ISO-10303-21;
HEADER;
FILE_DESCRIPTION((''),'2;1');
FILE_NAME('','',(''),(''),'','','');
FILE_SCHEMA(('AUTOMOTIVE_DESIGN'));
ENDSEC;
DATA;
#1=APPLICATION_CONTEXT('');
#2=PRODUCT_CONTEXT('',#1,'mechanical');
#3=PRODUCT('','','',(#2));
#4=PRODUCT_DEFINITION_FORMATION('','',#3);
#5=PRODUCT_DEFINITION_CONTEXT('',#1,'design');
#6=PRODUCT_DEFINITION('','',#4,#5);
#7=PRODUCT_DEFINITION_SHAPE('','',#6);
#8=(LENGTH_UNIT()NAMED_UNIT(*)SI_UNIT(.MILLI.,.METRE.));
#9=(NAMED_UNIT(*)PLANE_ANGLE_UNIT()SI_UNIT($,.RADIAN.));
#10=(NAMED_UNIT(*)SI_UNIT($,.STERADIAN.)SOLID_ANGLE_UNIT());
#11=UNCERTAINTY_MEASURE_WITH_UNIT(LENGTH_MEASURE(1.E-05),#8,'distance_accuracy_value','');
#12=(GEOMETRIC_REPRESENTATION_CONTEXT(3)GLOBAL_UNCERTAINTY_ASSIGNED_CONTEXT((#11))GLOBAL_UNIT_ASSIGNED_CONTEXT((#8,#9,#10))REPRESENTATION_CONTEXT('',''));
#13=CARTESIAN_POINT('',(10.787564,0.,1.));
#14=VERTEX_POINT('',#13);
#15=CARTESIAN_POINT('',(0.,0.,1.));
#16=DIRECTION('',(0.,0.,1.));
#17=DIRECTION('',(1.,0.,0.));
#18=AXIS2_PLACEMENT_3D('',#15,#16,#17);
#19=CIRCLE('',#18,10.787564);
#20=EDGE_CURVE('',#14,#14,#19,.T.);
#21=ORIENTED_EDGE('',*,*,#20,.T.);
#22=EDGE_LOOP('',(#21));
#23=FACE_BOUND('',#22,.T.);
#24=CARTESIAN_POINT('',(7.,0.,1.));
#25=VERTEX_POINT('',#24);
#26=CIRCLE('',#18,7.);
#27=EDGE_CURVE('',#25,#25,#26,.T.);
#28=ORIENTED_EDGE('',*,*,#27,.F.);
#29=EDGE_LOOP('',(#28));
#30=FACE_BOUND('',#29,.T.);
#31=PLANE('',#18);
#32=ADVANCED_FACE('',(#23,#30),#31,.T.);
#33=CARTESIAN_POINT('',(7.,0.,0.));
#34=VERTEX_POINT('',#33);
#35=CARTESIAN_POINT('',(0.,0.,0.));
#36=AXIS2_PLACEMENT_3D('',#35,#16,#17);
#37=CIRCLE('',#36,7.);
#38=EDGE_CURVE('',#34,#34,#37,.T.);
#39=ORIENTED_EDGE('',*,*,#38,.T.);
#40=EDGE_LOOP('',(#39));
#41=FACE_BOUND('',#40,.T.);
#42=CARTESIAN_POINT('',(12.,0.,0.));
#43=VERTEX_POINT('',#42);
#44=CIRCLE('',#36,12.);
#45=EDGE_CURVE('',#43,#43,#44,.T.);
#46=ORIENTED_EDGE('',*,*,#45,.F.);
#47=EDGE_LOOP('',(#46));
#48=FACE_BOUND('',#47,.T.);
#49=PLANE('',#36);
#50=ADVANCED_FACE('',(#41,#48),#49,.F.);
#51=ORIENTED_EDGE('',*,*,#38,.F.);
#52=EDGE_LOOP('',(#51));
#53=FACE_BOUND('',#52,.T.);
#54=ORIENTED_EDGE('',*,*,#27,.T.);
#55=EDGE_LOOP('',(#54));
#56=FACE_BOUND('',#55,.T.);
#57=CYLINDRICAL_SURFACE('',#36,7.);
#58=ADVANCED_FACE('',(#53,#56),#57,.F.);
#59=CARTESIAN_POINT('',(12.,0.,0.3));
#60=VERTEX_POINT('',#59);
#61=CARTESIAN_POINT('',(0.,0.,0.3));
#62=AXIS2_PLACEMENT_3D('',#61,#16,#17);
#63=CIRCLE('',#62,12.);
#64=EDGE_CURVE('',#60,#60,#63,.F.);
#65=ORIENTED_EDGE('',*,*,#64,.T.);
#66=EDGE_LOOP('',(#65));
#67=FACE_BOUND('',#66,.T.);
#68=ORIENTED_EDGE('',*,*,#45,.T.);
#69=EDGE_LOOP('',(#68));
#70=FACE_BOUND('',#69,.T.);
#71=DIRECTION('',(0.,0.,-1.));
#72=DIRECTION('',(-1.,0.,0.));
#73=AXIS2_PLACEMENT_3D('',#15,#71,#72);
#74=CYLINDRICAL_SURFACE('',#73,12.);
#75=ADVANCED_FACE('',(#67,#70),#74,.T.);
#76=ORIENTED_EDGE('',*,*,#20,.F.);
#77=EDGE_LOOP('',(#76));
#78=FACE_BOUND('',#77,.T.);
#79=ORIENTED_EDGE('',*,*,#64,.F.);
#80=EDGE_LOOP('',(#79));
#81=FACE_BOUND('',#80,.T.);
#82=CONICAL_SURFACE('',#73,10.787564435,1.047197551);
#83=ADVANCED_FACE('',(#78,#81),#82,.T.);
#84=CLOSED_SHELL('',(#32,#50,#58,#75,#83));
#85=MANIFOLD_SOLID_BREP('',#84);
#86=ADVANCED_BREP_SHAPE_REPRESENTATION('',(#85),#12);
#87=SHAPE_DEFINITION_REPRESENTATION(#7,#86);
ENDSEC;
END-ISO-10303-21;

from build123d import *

# Parameters (mm, degrees)
SKETCH1_R           = 12
BOSS_EXTRUDE1_DEPTH = 1
SKETCH2_R           = 7
CUT_EXTRUDE1_DEPTH  = 1
CHAMFER1_SIZE       = 0.7
CHAMFER1_SIZE2      = 1.212435565


with BuildPart() as part:
    # Sketch1 → Boss-Extrude1 (new body)
    with BuildSketch(Plane.XY):
        Circle(SKETCH1_R)
    extrude(amount=BOSS_EXTRUDE1_DEPTH)

    # Sketch2 → Cut-Extrude1 (cut)
    with BuildSketch(Plane.XY.offset(1)):
        Circle(SKETCH2_R)
    extrude(amount=-CUT_EXTRUDE1_DEPTH, mode=Mode.SUBTRACT)

    # Chamfer1
    chamfer1_edges = [part.edges().sort_by_distance(p)[0] for p in [
        (-12, 0, 1),
    ]]
    chamfer1_side = [part.faces().sort_by_distance(p)[0] for p in [
        (-12, 0, 0.5),
    ]]
    chamfer(chamfer1_edges, length=CHAMFER1_SIZE, length2=CHAMFER1_SIZE2, reference=chamfer1_side[0])


solid = part.part
